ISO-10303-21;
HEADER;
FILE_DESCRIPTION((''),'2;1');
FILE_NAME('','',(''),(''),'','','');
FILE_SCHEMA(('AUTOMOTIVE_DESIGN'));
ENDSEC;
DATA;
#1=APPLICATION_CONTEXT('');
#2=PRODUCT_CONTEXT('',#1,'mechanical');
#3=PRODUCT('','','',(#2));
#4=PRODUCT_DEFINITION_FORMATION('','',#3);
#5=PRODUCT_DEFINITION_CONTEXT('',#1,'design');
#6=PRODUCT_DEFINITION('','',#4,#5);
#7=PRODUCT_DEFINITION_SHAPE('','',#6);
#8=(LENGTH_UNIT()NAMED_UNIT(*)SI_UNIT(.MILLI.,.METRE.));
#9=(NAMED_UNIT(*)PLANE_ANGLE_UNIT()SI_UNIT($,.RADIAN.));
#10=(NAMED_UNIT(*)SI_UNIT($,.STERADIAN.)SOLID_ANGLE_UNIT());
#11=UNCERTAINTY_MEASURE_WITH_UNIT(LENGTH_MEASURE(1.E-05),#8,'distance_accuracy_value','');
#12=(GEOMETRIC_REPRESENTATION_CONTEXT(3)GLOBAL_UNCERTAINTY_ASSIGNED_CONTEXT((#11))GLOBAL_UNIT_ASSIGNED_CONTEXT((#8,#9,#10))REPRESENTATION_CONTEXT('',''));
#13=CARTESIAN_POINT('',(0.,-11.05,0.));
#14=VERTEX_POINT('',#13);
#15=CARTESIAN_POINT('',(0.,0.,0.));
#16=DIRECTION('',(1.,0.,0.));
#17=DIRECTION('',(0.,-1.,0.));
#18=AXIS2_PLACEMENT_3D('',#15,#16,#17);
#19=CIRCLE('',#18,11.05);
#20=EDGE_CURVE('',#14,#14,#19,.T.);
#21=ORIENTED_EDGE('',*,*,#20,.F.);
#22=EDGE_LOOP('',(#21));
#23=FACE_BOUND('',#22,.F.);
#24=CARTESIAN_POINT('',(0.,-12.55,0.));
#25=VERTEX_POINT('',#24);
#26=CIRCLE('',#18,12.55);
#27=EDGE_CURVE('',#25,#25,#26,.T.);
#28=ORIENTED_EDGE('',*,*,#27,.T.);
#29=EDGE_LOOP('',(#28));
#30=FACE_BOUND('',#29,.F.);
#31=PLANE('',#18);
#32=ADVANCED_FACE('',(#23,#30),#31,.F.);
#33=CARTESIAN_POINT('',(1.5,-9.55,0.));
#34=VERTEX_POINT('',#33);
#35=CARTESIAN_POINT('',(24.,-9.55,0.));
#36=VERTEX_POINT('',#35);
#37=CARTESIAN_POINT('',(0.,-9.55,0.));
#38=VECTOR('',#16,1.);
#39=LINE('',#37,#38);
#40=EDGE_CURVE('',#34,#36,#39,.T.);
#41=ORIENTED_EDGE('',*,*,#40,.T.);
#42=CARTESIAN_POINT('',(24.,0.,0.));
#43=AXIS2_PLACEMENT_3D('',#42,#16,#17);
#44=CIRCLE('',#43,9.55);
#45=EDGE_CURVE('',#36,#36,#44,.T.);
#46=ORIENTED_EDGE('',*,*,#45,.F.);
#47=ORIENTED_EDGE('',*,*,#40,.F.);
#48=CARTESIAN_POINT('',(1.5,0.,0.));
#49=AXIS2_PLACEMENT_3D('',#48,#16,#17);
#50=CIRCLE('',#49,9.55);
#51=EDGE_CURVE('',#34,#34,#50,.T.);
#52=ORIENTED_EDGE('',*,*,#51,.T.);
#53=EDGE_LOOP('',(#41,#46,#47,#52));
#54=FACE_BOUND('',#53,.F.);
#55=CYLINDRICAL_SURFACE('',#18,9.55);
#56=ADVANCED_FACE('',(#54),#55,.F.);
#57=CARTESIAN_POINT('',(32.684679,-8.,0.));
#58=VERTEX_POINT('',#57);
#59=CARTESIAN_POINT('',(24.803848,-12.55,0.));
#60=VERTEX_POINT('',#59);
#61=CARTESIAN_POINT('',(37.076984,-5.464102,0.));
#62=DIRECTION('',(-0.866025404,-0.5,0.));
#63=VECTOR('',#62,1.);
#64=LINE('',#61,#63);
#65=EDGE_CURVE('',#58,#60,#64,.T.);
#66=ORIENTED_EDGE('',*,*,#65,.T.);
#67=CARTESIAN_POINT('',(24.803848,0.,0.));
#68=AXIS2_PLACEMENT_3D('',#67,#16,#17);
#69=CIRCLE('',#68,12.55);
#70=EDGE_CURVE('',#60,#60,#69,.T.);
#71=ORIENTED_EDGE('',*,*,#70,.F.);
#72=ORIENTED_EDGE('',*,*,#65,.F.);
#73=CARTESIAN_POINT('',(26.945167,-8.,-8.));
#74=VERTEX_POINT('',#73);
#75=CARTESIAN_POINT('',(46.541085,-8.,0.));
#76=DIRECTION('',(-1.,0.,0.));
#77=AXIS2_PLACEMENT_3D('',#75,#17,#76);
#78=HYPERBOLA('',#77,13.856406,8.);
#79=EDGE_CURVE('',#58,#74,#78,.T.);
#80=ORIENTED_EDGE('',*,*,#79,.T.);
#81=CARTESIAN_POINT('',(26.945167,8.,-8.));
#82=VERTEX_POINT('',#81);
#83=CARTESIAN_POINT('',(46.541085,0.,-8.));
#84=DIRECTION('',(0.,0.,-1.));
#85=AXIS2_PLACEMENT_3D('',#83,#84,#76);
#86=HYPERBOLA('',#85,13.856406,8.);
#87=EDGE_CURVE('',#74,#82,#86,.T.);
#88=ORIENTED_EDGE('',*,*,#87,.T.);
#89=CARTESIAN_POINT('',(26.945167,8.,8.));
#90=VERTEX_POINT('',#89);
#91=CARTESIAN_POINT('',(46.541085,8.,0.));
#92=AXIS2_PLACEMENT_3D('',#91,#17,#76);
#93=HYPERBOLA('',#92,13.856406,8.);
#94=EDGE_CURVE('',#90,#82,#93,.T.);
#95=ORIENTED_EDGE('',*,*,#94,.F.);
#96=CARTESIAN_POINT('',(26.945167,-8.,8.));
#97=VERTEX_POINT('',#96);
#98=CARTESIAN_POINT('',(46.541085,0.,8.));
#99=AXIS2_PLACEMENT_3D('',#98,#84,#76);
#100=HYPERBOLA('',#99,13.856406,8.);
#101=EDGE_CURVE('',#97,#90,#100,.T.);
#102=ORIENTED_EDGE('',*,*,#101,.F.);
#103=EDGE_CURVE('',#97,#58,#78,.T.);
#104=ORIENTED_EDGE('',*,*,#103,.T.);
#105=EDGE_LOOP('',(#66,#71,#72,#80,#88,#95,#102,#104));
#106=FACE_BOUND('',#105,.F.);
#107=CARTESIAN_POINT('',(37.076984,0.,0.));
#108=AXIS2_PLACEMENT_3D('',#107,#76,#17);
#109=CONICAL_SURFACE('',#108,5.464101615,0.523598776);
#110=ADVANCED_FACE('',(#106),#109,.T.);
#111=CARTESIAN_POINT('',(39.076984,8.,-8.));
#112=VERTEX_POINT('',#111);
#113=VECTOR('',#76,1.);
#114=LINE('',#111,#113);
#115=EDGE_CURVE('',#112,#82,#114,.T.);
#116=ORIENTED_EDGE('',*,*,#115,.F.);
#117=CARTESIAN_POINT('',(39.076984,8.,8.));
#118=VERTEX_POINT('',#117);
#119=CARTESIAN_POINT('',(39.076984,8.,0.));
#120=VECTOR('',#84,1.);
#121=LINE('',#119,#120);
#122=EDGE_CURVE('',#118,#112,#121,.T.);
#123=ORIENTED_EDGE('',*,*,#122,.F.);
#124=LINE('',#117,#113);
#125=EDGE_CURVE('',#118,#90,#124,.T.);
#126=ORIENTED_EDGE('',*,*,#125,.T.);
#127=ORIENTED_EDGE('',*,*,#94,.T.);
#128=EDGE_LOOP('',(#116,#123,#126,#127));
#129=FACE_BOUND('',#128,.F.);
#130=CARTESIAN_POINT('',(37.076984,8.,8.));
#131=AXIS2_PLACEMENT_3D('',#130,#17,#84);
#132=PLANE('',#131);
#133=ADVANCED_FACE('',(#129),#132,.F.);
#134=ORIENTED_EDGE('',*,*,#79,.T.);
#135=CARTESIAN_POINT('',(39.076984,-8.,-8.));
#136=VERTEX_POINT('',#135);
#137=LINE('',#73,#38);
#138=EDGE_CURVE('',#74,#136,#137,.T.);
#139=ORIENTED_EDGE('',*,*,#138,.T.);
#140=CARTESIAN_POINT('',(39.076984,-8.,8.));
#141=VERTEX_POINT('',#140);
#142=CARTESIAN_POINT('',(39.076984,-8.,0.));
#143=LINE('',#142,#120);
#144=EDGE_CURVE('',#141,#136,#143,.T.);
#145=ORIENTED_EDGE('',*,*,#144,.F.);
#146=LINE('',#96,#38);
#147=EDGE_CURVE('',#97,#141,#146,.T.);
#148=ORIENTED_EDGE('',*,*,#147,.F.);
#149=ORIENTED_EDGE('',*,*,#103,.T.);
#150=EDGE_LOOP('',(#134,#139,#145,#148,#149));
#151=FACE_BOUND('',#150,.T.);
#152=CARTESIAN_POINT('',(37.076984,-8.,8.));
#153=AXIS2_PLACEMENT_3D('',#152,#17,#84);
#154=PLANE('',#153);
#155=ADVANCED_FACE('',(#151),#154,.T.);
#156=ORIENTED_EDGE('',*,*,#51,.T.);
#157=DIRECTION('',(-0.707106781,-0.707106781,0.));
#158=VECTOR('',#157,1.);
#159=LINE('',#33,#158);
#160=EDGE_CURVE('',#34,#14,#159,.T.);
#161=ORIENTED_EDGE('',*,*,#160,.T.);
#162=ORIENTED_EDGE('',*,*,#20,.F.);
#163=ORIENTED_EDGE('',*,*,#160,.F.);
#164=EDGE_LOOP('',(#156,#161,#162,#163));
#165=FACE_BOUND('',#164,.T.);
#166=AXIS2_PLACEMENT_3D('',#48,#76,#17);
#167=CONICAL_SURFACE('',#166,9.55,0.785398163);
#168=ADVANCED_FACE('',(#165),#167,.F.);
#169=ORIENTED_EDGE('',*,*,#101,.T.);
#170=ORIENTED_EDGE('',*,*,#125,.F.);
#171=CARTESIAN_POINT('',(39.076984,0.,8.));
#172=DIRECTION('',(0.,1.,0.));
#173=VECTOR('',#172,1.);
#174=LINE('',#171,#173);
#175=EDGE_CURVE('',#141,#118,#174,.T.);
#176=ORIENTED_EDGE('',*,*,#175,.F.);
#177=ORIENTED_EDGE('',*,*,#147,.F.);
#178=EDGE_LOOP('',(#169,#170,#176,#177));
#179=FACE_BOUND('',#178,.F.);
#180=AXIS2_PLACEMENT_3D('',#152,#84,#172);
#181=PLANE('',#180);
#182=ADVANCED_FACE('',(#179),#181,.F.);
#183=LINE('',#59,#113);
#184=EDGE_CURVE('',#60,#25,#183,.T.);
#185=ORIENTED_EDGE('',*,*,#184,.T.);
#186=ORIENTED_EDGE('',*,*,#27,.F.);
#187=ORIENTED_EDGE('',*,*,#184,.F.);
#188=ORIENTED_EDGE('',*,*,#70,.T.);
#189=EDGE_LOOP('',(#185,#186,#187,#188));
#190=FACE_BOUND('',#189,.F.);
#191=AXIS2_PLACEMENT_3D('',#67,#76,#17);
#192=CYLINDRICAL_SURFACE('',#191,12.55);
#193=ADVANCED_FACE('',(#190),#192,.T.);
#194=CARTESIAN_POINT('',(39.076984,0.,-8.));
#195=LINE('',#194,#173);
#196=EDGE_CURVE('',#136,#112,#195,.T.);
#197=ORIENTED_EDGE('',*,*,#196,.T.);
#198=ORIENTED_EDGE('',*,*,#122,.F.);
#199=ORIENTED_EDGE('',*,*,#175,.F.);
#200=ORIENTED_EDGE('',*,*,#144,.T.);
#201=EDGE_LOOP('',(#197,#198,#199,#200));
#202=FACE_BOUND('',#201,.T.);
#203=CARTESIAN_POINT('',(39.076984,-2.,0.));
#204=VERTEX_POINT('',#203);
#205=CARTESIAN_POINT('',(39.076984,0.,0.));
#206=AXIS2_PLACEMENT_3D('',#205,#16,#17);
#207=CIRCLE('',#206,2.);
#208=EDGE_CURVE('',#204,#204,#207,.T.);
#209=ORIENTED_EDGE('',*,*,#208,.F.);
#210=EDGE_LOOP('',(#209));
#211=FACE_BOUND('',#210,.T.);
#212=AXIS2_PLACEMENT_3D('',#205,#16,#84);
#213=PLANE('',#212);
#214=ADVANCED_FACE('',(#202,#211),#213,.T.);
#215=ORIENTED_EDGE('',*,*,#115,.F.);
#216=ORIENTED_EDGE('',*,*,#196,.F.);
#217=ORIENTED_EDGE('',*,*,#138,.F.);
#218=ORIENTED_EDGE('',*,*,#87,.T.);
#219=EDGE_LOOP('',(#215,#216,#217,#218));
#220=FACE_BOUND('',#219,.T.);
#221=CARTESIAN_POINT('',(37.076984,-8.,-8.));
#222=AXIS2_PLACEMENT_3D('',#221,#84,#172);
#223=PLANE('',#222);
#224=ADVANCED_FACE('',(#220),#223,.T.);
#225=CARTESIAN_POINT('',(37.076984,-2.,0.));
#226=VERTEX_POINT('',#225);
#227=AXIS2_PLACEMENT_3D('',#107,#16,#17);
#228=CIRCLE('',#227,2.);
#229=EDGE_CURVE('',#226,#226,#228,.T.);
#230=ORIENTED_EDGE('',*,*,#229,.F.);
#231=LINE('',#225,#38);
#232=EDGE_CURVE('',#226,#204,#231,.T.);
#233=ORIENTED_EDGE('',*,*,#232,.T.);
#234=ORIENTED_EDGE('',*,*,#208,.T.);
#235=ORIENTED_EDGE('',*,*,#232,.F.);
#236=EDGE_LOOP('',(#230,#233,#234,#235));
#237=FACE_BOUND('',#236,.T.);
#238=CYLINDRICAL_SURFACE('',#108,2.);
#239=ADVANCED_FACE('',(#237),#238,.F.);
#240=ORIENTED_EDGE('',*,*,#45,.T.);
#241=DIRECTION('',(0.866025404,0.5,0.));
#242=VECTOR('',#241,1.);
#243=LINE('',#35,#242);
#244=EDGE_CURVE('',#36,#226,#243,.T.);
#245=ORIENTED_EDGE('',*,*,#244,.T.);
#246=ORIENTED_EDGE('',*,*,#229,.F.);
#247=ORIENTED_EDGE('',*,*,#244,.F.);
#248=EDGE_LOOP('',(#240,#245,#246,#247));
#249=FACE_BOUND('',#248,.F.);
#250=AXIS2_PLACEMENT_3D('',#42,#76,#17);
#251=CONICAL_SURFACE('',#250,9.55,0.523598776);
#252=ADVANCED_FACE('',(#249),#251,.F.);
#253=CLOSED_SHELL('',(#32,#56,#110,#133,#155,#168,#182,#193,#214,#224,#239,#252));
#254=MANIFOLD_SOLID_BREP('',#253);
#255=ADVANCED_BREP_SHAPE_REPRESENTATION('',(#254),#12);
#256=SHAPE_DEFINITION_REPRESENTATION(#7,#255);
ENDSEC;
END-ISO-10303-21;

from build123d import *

# Parameters (mm, degrees)
CHAFL_N1_SIZE                       = 1.5
CROQUIS3_W                          = 16
CROQUIS3_H                          = 16
CROQUIS3_R                          = 2
SALIENTE_EXTRUIR1_DEPTH             = 2
SALIENTE_EXTRUIR1_DIRECTION_2_REACH = 43.106


with BuildPart() as part:
    # Croquis1 → Revolución1 (revolve)
    with BuildSketch(Plane.XY, mode=Mode.PRIVATE) as revoluci_n1_sk:
        Polygon((0, 9.55), (24, 9.55), (37.076983597, 2), (37.076983597, 5.464101615), (24.803847577, 12.55), (0, 12.55), align=None)
    revolve(revoluci_n1_sk.sketch.rotate(Axis((0, 0, 0), (1, 0, 0)), 180), axis=Axis((0, 0, 0), (1, 0, 0)))

    # Chaflán1
    chafl_n1_edges = [part.edges().sort_by_distance(p)[0] for p in [
        (0, 9.55, 0),
    ]]
    chamfer(chafl_n1_edges, length=CHAFL_N1_SIZE)

    # Croquis3 → Saliente-Extruir1 (add)
    with BuildSketch(Plane(origin=(37.076983597, 0, 0), x_dir=(0, 0, -1), z_dir=(1, 0, 0))):
        Rectangle(CROQUIS3_W, CROQUIS3_H)
        with Locations(Location((0, 0, 0), (0, 0, 270))):
            Circle(CROQUIS3_R, mode=Mode.SUBTRACT)
    extrude(amount=SALIENTE_EXTRUIR1_DEPTH)

    # Croquis3 → Saliente-Extruir1 direction 2 (add, up to next)
    with BuildSketch(Plane(origin=(37.076983597, 0, 0), x_dir=(0, 0, -1), z_dir=(1, 0, 0)), mode=Mode.PRIVATE) as saliente_extruir1_direction_2_sk1:
        Rectangle(CROQUIS3_W, CROQUIS3_H)
        with Locations(Location((0, 0, 0), (0, 0, 270))):
            Circle(CROQUIS3_R, mode=Mode.SUBTRACT)
    saliente_extruir1_direction_2_tool1 = extrude(saliente_extruir1_direction_2_sk1.sketch, amount=-SALIENTE_EXTRUIR1_DIRECTION_2_REACH, mode=Mode.PRIVATE) - part.part
    add(saliente_extruir1_direction_2_tool1.solids().sort_by_distance((37.076984, -7.773726, 0))[0])


solid = part.part
